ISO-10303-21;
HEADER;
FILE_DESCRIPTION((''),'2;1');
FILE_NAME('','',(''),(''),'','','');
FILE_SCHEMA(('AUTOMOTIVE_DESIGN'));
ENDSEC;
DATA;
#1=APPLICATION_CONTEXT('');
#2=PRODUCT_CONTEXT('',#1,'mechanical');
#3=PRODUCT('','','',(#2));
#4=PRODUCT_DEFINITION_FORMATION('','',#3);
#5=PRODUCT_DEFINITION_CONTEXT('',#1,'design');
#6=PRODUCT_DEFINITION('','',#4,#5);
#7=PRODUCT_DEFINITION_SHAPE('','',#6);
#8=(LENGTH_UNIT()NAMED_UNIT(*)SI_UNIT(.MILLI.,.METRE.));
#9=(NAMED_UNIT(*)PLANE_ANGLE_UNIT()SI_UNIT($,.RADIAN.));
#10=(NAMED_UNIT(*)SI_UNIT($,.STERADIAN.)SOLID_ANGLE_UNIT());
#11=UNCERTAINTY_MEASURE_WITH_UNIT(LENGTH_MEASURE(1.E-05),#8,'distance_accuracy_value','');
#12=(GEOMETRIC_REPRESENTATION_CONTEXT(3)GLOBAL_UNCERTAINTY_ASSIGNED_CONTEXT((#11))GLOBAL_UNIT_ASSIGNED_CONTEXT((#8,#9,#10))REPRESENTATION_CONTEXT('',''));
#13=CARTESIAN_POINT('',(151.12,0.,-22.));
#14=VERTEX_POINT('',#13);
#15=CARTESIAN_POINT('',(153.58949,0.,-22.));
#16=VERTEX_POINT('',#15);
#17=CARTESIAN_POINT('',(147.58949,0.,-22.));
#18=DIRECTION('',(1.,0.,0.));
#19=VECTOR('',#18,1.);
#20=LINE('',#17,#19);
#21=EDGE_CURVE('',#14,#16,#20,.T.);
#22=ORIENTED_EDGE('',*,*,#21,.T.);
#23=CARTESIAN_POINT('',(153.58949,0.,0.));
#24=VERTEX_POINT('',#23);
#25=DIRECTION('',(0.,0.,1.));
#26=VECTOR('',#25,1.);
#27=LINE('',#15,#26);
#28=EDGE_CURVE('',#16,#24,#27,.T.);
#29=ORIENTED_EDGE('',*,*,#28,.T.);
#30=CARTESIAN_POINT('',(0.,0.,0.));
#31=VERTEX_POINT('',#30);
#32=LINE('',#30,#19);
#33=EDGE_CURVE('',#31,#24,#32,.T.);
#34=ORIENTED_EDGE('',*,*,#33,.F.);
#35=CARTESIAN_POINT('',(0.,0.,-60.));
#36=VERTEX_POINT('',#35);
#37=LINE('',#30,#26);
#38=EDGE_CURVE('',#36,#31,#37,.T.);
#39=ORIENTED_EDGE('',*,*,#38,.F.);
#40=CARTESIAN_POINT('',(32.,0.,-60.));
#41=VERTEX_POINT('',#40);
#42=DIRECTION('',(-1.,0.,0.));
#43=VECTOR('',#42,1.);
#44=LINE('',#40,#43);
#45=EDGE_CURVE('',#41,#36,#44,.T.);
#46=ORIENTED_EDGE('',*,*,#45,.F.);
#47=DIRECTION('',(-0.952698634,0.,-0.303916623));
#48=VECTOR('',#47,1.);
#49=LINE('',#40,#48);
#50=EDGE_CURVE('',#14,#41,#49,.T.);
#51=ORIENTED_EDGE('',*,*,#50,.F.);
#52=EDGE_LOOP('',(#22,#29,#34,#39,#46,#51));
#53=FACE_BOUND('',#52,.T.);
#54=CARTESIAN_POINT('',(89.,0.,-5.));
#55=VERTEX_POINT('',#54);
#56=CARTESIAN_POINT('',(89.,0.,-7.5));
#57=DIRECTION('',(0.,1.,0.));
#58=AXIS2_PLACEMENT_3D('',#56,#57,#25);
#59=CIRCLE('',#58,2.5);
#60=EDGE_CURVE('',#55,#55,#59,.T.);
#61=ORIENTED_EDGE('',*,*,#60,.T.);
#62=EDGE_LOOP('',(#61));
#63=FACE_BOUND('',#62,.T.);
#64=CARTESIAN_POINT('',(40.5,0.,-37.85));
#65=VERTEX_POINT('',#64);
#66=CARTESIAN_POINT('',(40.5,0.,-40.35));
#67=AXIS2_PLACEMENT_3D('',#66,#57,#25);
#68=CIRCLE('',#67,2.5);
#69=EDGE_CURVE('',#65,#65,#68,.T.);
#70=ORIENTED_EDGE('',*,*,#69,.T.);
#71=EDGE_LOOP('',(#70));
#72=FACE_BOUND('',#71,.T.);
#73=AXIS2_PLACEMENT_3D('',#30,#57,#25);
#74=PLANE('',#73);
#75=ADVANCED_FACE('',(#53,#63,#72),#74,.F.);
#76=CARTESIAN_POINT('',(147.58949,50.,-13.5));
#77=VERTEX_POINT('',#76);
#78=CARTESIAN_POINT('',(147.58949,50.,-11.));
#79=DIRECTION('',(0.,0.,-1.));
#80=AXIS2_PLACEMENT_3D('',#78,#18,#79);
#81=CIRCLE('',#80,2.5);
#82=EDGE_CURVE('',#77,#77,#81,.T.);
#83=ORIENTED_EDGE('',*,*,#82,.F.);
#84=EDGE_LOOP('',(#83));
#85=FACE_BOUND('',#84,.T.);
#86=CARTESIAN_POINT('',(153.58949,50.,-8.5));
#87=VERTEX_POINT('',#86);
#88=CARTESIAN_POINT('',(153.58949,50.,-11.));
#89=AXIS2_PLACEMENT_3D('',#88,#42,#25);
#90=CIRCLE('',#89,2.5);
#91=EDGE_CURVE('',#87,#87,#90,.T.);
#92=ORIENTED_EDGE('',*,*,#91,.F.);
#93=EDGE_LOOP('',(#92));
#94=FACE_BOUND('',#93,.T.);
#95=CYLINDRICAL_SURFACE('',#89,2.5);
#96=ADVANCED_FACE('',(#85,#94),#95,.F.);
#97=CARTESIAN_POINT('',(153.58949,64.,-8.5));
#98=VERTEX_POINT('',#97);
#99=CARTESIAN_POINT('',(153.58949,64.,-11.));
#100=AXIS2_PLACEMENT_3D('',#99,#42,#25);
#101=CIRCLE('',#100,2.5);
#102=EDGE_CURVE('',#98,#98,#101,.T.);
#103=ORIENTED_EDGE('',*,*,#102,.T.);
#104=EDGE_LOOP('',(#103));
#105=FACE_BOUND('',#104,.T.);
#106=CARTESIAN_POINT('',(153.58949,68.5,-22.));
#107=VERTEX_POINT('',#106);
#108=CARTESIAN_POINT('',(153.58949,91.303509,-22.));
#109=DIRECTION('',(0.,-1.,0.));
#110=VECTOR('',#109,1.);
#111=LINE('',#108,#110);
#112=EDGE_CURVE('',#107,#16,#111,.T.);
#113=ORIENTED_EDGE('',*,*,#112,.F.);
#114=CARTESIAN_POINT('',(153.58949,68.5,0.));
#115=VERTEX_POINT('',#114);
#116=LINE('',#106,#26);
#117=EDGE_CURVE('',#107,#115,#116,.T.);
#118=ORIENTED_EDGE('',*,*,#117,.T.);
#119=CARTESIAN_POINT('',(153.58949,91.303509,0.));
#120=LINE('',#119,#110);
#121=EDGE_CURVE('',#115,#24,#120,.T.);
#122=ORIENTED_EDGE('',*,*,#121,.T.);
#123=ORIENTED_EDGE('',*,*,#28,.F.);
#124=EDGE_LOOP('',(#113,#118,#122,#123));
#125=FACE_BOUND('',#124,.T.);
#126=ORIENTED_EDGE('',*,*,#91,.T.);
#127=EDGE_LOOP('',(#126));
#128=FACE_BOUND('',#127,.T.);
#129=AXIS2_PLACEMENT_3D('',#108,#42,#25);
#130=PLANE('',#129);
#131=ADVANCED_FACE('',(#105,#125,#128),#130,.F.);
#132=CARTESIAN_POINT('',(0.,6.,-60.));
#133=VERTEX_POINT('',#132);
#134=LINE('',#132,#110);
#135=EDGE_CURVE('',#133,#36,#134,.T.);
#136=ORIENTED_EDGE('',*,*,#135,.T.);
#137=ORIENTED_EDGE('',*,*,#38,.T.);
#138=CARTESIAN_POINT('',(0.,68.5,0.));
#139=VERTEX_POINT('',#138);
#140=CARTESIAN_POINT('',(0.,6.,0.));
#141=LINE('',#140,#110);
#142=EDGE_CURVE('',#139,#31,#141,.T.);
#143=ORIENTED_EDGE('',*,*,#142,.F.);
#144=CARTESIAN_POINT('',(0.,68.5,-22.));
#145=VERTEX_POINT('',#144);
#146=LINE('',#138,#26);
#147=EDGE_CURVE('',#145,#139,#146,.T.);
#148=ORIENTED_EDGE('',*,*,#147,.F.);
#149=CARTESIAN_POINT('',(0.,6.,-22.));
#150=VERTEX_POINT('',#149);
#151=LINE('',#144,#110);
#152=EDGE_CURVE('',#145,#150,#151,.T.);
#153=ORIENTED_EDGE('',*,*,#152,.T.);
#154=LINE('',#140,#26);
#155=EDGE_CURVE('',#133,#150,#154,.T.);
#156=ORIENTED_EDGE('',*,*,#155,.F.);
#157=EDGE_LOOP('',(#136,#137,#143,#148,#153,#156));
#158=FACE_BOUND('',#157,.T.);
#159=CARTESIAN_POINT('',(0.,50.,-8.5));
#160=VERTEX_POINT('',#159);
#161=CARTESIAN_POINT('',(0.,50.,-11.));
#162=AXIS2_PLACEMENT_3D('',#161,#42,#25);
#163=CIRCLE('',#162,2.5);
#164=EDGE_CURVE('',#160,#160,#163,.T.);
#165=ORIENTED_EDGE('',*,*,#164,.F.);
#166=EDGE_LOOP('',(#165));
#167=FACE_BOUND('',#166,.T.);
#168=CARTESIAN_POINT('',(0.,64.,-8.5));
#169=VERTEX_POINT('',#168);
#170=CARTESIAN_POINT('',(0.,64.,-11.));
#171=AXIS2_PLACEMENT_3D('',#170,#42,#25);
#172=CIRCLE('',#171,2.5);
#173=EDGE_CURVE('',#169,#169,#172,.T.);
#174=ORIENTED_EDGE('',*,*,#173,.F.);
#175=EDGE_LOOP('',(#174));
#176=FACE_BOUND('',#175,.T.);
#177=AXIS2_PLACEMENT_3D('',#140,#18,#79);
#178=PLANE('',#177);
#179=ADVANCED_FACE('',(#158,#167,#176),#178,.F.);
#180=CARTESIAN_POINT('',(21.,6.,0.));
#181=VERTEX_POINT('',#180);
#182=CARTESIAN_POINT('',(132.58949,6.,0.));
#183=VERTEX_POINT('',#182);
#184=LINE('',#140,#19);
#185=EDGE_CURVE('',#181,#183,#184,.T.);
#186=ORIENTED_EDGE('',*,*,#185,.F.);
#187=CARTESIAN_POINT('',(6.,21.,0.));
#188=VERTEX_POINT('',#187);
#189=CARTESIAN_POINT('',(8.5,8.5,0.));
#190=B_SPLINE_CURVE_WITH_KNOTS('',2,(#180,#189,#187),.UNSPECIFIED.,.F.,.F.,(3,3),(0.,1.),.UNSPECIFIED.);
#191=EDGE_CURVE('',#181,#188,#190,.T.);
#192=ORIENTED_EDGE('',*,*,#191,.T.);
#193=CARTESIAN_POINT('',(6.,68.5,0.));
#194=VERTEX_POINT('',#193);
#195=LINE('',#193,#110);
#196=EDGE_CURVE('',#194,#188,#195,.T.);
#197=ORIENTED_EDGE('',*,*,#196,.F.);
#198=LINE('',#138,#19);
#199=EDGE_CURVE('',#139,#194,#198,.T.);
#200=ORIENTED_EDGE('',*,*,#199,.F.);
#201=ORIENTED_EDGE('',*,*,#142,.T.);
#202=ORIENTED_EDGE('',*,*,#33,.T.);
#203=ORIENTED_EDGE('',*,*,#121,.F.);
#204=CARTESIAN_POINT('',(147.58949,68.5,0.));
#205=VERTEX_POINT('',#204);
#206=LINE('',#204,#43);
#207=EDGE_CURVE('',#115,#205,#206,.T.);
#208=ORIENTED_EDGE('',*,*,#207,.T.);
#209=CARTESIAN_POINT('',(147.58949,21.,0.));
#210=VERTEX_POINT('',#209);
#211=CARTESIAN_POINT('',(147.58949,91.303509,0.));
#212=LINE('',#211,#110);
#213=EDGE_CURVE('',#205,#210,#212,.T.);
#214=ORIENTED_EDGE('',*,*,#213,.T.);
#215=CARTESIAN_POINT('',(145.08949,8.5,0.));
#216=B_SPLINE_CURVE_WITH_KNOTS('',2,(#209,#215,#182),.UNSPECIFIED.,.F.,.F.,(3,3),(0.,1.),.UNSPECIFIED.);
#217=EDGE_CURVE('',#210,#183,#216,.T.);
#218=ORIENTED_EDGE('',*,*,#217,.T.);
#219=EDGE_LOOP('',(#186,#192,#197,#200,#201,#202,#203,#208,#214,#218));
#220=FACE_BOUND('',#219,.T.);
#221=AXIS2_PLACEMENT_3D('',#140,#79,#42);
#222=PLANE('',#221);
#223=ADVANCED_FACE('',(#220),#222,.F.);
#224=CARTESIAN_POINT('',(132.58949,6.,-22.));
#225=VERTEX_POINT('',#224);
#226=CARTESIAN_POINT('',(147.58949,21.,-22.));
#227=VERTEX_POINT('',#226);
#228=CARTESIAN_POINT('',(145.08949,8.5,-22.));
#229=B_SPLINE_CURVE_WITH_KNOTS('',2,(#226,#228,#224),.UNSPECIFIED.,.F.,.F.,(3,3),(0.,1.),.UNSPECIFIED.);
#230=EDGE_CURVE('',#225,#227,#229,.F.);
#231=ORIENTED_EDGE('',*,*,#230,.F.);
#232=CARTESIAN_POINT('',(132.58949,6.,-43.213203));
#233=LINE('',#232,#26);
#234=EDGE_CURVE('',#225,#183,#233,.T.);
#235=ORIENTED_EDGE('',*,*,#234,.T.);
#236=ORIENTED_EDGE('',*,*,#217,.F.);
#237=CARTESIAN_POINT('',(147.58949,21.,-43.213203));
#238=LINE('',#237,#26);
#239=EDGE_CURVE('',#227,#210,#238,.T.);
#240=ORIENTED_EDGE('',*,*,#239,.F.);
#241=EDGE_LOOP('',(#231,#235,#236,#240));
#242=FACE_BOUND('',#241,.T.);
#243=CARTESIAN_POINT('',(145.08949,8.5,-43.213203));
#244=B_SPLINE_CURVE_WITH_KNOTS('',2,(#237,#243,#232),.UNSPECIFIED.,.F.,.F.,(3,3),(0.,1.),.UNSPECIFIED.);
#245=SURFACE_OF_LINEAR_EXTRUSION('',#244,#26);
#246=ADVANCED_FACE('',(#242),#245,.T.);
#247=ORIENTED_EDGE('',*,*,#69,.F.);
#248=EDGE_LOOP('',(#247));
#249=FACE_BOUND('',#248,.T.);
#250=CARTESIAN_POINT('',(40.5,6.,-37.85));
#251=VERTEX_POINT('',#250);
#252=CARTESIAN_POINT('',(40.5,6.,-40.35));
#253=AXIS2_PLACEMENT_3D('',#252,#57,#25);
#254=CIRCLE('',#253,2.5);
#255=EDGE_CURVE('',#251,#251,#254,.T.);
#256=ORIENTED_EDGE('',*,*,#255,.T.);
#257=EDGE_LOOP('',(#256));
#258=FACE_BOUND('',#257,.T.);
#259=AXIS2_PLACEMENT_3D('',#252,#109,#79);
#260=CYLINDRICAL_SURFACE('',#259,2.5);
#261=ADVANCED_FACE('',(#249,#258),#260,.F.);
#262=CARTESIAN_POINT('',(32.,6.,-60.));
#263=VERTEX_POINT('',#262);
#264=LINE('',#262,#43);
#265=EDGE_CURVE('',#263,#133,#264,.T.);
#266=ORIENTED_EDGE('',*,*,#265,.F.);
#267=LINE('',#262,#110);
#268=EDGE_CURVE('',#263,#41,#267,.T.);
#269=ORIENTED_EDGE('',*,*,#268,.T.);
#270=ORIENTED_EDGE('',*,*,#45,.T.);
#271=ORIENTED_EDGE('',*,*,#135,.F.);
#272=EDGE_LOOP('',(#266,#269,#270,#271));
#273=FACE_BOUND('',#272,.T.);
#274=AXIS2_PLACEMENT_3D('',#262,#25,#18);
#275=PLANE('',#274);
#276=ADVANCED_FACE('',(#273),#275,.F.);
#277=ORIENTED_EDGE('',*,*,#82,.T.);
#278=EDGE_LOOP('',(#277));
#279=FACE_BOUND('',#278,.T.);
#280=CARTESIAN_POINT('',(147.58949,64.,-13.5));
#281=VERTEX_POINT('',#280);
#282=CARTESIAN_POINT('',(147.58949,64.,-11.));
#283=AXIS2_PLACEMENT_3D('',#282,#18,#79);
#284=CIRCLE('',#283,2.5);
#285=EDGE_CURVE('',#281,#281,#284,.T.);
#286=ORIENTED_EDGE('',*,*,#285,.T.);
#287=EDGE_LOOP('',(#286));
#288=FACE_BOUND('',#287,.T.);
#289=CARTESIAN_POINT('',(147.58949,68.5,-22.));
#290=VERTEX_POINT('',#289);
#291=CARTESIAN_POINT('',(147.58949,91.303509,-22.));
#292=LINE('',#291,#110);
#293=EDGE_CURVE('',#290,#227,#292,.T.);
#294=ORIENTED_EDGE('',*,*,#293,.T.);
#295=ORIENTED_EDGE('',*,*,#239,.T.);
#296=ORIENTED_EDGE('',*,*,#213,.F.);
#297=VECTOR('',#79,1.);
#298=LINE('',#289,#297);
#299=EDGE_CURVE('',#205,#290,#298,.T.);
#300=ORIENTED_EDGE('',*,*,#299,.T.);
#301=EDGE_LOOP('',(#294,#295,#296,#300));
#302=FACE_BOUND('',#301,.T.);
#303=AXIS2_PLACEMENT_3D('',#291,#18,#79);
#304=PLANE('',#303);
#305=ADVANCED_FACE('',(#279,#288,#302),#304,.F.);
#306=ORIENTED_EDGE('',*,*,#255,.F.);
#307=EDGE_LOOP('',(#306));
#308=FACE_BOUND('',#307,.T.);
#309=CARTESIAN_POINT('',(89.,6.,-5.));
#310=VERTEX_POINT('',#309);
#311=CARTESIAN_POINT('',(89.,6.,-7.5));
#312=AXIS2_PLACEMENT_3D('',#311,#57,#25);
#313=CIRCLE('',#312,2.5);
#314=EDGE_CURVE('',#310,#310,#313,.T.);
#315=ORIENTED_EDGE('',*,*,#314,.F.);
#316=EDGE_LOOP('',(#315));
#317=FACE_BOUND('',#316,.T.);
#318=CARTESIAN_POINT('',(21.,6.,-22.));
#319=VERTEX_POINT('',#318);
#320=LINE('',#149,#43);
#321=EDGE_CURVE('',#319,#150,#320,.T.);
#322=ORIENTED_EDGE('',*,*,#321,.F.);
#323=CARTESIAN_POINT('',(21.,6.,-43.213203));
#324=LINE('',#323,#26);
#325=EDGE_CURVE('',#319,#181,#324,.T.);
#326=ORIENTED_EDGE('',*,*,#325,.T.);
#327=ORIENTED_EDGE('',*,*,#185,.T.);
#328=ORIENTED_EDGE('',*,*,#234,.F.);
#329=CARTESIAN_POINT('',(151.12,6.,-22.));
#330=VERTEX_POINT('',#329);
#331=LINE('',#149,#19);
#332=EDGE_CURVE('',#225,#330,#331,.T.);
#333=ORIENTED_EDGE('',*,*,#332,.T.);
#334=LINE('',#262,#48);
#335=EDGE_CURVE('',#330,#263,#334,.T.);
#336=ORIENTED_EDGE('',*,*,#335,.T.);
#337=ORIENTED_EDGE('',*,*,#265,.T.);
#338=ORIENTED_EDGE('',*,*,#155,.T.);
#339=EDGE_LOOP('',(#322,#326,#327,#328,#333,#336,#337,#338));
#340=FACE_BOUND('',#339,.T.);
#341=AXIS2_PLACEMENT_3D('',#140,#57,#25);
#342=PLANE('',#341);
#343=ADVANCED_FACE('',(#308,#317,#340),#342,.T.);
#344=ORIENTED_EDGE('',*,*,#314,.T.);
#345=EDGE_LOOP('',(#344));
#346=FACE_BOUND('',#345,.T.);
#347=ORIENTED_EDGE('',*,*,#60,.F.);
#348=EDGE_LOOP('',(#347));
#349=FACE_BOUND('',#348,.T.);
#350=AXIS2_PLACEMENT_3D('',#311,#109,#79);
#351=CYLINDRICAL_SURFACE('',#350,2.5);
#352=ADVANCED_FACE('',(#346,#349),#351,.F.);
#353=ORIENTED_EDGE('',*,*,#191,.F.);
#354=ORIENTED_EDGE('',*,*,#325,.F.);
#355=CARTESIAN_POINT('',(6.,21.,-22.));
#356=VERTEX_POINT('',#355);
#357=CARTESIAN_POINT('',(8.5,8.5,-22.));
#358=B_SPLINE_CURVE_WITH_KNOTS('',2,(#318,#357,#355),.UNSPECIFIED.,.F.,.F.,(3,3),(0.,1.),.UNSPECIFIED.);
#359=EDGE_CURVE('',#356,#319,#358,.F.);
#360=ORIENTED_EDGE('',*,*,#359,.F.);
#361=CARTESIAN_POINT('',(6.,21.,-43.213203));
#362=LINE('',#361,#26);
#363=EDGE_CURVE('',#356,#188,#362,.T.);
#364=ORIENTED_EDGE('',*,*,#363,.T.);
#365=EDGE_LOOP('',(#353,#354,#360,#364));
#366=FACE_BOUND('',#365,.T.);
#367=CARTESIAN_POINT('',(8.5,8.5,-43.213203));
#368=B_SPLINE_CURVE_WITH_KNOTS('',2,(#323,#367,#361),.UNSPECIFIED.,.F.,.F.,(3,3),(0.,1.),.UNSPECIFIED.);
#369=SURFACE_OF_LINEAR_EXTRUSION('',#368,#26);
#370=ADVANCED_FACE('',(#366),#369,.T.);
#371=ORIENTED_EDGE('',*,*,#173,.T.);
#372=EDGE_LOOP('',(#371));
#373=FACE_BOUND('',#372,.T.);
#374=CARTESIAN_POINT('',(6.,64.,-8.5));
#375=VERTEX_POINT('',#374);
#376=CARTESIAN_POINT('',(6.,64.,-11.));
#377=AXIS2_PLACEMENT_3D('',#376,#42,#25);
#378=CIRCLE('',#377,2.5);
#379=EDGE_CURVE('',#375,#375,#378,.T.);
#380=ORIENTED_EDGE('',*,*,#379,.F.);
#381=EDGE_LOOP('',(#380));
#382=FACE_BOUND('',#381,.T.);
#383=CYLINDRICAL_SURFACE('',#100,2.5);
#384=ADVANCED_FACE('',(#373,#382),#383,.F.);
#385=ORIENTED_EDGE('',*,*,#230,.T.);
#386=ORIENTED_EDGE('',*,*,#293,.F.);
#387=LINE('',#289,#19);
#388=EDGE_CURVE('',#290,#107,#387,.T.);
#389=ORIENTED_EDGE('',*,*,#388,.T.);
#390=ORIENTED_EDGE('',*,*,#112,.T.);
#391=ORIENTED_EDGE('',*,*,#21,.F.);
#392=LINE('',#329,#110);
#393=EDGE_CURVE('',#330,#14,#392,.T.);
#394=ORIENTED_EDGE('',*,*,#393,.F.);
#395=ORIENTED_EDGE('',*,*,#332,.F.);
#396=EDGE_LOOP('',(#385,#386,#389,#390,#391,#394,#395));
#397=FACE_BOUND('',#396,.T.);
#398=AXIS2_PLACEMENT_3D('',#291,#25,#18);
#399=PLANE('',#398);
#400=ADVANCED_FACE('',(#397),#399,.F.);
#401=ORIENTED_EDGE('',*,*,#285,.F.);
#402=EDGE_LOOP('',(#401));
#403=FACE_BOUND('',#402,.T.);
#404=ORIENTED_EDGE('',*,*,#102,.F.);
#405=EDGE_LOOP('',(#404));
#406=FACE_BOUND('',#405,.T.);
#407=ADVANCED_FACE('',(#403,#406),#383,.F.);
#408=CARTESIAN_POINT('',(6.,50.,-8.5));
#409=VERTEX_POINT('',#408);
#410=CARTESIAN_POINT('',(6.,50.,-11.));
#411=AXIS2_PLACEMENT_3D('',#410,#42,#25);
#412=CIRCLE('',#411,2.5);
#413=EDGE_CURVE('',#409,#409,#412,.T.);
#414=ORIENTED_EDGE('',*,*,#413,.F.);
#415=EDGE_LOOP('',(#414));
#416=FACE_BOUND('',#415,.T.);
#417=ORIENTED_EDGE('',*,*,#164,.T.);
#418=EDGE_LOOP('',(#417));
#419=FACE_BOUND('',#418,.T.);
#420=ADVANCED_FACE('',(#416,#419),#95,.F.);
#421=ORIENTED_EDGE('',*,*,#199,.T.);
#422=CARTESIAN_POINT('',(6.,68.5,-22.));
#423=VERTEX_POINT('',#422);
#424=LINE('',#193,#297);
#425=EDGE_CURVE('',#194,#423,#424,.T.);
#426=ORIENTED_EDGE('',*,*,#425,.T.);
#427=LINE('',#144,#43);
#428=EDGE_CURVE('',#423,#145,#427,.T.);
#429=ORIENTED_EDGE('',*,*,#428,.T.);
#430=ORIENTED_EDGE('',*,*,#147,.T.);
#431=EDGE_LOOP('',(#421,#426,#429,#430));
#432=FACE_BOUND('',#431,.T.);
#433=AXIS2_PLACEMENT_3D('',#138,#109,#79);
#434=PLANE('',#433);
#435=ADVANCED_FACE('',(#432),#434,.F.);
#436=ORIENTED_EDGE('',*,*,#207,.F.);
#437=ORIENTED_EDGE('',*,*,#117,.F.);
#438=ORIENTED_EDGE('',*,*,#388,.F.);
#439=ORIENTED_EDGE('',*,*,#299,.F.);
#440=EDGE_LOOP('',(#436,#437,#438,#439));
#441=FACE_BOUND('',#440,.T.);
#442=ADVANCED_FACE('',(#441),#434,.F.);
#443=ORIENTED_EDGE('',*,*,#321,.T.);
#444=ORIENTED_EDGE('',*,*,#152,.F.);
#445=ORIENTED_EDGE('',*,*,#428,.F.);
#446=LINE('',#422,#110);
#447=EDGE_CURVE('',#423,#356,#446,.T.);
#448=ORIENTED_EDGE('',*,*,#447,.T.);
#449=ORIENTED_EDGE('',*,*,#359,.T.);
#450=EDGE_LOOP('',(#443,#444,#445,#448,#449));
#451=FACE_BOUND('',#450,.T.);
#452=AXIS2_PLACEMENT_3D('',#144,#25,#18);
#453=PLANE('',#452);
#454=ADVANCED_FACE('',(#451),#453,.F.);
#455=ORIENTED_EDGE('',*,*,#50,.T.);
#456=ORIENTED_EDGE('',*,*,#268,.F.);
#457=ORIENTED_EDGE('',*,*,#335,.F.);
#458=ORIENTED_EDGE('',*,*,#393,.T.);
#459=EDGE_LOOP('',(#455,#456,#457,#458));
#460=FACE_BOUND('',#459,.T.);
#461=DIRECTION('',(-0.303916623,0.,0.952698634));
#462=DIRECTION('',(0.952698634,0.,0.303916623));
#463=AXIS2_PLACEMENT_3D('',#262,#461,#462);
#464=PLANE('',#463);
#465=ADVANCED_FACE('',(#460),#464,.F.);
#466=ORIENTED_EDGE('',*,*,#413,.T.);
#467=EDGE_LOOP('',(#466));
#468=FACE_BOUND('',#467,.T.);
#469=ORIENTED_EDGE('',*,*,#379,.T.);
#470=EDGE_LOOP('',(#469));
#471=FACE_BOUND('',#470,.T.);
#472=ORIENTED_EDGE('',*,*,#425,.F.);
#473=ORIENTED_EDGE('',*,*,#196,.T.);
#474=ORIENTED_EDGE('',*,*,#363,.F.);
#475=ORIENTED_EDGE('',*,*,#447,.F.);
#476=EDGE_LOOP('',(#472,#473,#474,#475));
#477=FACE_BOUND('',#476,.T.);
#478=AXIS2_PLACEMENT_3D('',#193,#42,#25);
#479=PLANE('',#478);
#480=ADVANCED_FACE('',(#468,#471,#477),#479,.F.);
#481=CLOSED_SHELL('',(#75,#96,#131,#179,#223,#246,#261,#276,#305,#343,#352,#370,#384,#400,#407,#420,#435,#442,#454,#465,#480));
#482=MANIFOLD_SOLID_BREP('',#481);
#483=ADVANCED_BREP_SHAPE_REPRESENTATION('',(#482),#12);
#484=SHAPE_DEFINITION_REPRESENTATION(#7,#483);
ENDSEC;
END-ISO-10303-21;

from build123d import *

# Parameters (mm, degrees)
SKETCH1_R                       = 2.5
BOSS_EXTRUDE1_DEPTH             = 6
SKETCH2_W                       = 6
SKETCH2_H                       = 22
BOSS_EXTRUDE2_DEPTH             = 62.5
BOSS_EXTRUDE3_REACH             = 176.194
SKETCH4_W                       = 6
SKETCH4_H                       = 22
BOSS_EXTRUDE3_DIRECTION_2_REACH = 176.194
SKETCH3_R                       = 2.5
CUT_EXTRUDE2_DEPTH              = 179.555261525
BOSS_EXTRUDE4_DEPTH             = 22


with BuildPart() as part:
    # Sketch1 → Boss-Extrude1 (new body)
    with BuildSketch(Plane(origin=(0, 0, 0), x_dir=(1, 0, 0), z_dir=(0, 1, 0))):
        Polygon((32, 60), (151.12, 22), (151.12, 0), (0, 0), (0, 60), align=None)
        with Locations(Location((40.5, 40.35, 0), (0, 0, 270))):
            Circle(SKETCH1_R, mode=Mode.SUBTRACT)
        with Locations(Location((89, 7.5, 0), (0, 0, 270))):
            Circle(SKETCH1_R, mode=Mode.SUBTRACT)
    extrude(amount=BOSS_EXTRUDE1_DEPTH)

    # Sketch2 → Boss-Extrude2 (add)
    with BuildSketch(Plane(origin=(0, 6, 0), x_dir=(1, 0, 0), z_dir=(0, 1, 0))):
        with Locations((3, 11)):
            Rectangle(SKETCH2_W, SKETCH2_H)
    extrude(amount=BOSS_EXTRUDE2_DEPTH)

    # Boss-Extrude3: up to this face of the body (flat: up to its plane)
    boss_extrude3_end = Plane(part.part.faces().sort_by_distance((3, 68.5, -11))[0])
    # Sketch4 → Boss-Extrude3 (add, up to the picked face)
    with BuildSketch(Plane(origin=(0, 6, 0), x_dir=(1, 0, 0), z_dir=(0, 1, 0)), mode=Mode.PRIVATE) as boss_extrude3_sk1:
        with Locations((150.589489934, 11)):
            Rectangle(SKETCH4_W, SKETCH4_H)
    boss_extrude3_tool1 = split(extrude(boss_extrude3_sk1.sketch, amount=BOSS_EXTRUDE3_REACH, mode=Mode.PRIVATE), bisect_by=boss_extrude3_end, keep=Keep.BOTH, mode=Mode.PRIVATE)
    add(boss_extrude3_tool1.solids().sort_by(Axis((150.58949, 6, -11), (0, 1, 0)))[0])

    # Boss-Extrude3 direction 2: up to this face of the body (flat: up to its plane)
    boss_extrude3_direction_2_end = Plane(part.part.faces().sort_by_distance((63.627139695, 0, -24.235973562))[0])
    # Sketch4 → Boss-Extrude3 direction 2 (add, up to the picked face)
    with BuildSketch(Plane(origin=(0, 6, 0), x_dir=(1, 0, 0), z_dir=(0, 1, 0)), mode=Mode.PRIVATE) as boss_extrude3_direction_2_sk1:
        with Locations((150.589489934, 11)):
            Rectangle(SKETCH4_W, SKETCH4_H)
    boss_extrude3_direction_2_tool1 = split(extrude(boss_extrude3_direction_2_sk1.sketch, amount=-BOSS_EXTRUDE3_DIRECTION_2_REACH, mode=Mode.PRIVATE), bisect_by=boss_extrude3_direction_2_end, keep=Keep.BOTH, mode=Mode.PRIVATE)
    add(boss_extrude3_direction_2_tool1.solids().sort_by(Axis((150.58949, 6, -11), (0, -1, 0)))[0])

    # Sketch3 → Cut-Extrude2 (cut, through all)
    with BuildSketch(Plane.ZY):
        with Locations((-11, 64)):
            Circle(SKETCH3_R)
        with Locations((-11, 50)):
            Circle(SKETCH3_R)
    extrude(amount=-CUT_EXTRUDE2_DEPTH, mode=Mode.SUBTRACT)

    # Sketch5 → Boss-Extrude4 (add)
    with BuildSketch(Plane.XY):
        with BuildLine():
            Line((6, 21), (6, 6))
            Line((6, 6), (21, 6))
            add(Edge.make_bspline(
                [(6, 21), (8.5, 8.5), (21, 6)],
                knots=[0, 0, 0, 1, 1, 1], degree=2))
        make_face()
        with BuildLine():
            Line((132.589489934, 6), (147.589489934, 6))
            Line((147.589489934, 6), (147.589489934, 21))
            add(Edge.make_bspline(
                [(147.589489934, 21), (145.089489934, 8.5), (132.589489934, 6)],
                knots=[0, 0, 0, 1, 1, 1], degree=2))
        make_face()
    extrude(amount=-BOSS_EXTRUDE4_DEPTH)


solid = part.part
